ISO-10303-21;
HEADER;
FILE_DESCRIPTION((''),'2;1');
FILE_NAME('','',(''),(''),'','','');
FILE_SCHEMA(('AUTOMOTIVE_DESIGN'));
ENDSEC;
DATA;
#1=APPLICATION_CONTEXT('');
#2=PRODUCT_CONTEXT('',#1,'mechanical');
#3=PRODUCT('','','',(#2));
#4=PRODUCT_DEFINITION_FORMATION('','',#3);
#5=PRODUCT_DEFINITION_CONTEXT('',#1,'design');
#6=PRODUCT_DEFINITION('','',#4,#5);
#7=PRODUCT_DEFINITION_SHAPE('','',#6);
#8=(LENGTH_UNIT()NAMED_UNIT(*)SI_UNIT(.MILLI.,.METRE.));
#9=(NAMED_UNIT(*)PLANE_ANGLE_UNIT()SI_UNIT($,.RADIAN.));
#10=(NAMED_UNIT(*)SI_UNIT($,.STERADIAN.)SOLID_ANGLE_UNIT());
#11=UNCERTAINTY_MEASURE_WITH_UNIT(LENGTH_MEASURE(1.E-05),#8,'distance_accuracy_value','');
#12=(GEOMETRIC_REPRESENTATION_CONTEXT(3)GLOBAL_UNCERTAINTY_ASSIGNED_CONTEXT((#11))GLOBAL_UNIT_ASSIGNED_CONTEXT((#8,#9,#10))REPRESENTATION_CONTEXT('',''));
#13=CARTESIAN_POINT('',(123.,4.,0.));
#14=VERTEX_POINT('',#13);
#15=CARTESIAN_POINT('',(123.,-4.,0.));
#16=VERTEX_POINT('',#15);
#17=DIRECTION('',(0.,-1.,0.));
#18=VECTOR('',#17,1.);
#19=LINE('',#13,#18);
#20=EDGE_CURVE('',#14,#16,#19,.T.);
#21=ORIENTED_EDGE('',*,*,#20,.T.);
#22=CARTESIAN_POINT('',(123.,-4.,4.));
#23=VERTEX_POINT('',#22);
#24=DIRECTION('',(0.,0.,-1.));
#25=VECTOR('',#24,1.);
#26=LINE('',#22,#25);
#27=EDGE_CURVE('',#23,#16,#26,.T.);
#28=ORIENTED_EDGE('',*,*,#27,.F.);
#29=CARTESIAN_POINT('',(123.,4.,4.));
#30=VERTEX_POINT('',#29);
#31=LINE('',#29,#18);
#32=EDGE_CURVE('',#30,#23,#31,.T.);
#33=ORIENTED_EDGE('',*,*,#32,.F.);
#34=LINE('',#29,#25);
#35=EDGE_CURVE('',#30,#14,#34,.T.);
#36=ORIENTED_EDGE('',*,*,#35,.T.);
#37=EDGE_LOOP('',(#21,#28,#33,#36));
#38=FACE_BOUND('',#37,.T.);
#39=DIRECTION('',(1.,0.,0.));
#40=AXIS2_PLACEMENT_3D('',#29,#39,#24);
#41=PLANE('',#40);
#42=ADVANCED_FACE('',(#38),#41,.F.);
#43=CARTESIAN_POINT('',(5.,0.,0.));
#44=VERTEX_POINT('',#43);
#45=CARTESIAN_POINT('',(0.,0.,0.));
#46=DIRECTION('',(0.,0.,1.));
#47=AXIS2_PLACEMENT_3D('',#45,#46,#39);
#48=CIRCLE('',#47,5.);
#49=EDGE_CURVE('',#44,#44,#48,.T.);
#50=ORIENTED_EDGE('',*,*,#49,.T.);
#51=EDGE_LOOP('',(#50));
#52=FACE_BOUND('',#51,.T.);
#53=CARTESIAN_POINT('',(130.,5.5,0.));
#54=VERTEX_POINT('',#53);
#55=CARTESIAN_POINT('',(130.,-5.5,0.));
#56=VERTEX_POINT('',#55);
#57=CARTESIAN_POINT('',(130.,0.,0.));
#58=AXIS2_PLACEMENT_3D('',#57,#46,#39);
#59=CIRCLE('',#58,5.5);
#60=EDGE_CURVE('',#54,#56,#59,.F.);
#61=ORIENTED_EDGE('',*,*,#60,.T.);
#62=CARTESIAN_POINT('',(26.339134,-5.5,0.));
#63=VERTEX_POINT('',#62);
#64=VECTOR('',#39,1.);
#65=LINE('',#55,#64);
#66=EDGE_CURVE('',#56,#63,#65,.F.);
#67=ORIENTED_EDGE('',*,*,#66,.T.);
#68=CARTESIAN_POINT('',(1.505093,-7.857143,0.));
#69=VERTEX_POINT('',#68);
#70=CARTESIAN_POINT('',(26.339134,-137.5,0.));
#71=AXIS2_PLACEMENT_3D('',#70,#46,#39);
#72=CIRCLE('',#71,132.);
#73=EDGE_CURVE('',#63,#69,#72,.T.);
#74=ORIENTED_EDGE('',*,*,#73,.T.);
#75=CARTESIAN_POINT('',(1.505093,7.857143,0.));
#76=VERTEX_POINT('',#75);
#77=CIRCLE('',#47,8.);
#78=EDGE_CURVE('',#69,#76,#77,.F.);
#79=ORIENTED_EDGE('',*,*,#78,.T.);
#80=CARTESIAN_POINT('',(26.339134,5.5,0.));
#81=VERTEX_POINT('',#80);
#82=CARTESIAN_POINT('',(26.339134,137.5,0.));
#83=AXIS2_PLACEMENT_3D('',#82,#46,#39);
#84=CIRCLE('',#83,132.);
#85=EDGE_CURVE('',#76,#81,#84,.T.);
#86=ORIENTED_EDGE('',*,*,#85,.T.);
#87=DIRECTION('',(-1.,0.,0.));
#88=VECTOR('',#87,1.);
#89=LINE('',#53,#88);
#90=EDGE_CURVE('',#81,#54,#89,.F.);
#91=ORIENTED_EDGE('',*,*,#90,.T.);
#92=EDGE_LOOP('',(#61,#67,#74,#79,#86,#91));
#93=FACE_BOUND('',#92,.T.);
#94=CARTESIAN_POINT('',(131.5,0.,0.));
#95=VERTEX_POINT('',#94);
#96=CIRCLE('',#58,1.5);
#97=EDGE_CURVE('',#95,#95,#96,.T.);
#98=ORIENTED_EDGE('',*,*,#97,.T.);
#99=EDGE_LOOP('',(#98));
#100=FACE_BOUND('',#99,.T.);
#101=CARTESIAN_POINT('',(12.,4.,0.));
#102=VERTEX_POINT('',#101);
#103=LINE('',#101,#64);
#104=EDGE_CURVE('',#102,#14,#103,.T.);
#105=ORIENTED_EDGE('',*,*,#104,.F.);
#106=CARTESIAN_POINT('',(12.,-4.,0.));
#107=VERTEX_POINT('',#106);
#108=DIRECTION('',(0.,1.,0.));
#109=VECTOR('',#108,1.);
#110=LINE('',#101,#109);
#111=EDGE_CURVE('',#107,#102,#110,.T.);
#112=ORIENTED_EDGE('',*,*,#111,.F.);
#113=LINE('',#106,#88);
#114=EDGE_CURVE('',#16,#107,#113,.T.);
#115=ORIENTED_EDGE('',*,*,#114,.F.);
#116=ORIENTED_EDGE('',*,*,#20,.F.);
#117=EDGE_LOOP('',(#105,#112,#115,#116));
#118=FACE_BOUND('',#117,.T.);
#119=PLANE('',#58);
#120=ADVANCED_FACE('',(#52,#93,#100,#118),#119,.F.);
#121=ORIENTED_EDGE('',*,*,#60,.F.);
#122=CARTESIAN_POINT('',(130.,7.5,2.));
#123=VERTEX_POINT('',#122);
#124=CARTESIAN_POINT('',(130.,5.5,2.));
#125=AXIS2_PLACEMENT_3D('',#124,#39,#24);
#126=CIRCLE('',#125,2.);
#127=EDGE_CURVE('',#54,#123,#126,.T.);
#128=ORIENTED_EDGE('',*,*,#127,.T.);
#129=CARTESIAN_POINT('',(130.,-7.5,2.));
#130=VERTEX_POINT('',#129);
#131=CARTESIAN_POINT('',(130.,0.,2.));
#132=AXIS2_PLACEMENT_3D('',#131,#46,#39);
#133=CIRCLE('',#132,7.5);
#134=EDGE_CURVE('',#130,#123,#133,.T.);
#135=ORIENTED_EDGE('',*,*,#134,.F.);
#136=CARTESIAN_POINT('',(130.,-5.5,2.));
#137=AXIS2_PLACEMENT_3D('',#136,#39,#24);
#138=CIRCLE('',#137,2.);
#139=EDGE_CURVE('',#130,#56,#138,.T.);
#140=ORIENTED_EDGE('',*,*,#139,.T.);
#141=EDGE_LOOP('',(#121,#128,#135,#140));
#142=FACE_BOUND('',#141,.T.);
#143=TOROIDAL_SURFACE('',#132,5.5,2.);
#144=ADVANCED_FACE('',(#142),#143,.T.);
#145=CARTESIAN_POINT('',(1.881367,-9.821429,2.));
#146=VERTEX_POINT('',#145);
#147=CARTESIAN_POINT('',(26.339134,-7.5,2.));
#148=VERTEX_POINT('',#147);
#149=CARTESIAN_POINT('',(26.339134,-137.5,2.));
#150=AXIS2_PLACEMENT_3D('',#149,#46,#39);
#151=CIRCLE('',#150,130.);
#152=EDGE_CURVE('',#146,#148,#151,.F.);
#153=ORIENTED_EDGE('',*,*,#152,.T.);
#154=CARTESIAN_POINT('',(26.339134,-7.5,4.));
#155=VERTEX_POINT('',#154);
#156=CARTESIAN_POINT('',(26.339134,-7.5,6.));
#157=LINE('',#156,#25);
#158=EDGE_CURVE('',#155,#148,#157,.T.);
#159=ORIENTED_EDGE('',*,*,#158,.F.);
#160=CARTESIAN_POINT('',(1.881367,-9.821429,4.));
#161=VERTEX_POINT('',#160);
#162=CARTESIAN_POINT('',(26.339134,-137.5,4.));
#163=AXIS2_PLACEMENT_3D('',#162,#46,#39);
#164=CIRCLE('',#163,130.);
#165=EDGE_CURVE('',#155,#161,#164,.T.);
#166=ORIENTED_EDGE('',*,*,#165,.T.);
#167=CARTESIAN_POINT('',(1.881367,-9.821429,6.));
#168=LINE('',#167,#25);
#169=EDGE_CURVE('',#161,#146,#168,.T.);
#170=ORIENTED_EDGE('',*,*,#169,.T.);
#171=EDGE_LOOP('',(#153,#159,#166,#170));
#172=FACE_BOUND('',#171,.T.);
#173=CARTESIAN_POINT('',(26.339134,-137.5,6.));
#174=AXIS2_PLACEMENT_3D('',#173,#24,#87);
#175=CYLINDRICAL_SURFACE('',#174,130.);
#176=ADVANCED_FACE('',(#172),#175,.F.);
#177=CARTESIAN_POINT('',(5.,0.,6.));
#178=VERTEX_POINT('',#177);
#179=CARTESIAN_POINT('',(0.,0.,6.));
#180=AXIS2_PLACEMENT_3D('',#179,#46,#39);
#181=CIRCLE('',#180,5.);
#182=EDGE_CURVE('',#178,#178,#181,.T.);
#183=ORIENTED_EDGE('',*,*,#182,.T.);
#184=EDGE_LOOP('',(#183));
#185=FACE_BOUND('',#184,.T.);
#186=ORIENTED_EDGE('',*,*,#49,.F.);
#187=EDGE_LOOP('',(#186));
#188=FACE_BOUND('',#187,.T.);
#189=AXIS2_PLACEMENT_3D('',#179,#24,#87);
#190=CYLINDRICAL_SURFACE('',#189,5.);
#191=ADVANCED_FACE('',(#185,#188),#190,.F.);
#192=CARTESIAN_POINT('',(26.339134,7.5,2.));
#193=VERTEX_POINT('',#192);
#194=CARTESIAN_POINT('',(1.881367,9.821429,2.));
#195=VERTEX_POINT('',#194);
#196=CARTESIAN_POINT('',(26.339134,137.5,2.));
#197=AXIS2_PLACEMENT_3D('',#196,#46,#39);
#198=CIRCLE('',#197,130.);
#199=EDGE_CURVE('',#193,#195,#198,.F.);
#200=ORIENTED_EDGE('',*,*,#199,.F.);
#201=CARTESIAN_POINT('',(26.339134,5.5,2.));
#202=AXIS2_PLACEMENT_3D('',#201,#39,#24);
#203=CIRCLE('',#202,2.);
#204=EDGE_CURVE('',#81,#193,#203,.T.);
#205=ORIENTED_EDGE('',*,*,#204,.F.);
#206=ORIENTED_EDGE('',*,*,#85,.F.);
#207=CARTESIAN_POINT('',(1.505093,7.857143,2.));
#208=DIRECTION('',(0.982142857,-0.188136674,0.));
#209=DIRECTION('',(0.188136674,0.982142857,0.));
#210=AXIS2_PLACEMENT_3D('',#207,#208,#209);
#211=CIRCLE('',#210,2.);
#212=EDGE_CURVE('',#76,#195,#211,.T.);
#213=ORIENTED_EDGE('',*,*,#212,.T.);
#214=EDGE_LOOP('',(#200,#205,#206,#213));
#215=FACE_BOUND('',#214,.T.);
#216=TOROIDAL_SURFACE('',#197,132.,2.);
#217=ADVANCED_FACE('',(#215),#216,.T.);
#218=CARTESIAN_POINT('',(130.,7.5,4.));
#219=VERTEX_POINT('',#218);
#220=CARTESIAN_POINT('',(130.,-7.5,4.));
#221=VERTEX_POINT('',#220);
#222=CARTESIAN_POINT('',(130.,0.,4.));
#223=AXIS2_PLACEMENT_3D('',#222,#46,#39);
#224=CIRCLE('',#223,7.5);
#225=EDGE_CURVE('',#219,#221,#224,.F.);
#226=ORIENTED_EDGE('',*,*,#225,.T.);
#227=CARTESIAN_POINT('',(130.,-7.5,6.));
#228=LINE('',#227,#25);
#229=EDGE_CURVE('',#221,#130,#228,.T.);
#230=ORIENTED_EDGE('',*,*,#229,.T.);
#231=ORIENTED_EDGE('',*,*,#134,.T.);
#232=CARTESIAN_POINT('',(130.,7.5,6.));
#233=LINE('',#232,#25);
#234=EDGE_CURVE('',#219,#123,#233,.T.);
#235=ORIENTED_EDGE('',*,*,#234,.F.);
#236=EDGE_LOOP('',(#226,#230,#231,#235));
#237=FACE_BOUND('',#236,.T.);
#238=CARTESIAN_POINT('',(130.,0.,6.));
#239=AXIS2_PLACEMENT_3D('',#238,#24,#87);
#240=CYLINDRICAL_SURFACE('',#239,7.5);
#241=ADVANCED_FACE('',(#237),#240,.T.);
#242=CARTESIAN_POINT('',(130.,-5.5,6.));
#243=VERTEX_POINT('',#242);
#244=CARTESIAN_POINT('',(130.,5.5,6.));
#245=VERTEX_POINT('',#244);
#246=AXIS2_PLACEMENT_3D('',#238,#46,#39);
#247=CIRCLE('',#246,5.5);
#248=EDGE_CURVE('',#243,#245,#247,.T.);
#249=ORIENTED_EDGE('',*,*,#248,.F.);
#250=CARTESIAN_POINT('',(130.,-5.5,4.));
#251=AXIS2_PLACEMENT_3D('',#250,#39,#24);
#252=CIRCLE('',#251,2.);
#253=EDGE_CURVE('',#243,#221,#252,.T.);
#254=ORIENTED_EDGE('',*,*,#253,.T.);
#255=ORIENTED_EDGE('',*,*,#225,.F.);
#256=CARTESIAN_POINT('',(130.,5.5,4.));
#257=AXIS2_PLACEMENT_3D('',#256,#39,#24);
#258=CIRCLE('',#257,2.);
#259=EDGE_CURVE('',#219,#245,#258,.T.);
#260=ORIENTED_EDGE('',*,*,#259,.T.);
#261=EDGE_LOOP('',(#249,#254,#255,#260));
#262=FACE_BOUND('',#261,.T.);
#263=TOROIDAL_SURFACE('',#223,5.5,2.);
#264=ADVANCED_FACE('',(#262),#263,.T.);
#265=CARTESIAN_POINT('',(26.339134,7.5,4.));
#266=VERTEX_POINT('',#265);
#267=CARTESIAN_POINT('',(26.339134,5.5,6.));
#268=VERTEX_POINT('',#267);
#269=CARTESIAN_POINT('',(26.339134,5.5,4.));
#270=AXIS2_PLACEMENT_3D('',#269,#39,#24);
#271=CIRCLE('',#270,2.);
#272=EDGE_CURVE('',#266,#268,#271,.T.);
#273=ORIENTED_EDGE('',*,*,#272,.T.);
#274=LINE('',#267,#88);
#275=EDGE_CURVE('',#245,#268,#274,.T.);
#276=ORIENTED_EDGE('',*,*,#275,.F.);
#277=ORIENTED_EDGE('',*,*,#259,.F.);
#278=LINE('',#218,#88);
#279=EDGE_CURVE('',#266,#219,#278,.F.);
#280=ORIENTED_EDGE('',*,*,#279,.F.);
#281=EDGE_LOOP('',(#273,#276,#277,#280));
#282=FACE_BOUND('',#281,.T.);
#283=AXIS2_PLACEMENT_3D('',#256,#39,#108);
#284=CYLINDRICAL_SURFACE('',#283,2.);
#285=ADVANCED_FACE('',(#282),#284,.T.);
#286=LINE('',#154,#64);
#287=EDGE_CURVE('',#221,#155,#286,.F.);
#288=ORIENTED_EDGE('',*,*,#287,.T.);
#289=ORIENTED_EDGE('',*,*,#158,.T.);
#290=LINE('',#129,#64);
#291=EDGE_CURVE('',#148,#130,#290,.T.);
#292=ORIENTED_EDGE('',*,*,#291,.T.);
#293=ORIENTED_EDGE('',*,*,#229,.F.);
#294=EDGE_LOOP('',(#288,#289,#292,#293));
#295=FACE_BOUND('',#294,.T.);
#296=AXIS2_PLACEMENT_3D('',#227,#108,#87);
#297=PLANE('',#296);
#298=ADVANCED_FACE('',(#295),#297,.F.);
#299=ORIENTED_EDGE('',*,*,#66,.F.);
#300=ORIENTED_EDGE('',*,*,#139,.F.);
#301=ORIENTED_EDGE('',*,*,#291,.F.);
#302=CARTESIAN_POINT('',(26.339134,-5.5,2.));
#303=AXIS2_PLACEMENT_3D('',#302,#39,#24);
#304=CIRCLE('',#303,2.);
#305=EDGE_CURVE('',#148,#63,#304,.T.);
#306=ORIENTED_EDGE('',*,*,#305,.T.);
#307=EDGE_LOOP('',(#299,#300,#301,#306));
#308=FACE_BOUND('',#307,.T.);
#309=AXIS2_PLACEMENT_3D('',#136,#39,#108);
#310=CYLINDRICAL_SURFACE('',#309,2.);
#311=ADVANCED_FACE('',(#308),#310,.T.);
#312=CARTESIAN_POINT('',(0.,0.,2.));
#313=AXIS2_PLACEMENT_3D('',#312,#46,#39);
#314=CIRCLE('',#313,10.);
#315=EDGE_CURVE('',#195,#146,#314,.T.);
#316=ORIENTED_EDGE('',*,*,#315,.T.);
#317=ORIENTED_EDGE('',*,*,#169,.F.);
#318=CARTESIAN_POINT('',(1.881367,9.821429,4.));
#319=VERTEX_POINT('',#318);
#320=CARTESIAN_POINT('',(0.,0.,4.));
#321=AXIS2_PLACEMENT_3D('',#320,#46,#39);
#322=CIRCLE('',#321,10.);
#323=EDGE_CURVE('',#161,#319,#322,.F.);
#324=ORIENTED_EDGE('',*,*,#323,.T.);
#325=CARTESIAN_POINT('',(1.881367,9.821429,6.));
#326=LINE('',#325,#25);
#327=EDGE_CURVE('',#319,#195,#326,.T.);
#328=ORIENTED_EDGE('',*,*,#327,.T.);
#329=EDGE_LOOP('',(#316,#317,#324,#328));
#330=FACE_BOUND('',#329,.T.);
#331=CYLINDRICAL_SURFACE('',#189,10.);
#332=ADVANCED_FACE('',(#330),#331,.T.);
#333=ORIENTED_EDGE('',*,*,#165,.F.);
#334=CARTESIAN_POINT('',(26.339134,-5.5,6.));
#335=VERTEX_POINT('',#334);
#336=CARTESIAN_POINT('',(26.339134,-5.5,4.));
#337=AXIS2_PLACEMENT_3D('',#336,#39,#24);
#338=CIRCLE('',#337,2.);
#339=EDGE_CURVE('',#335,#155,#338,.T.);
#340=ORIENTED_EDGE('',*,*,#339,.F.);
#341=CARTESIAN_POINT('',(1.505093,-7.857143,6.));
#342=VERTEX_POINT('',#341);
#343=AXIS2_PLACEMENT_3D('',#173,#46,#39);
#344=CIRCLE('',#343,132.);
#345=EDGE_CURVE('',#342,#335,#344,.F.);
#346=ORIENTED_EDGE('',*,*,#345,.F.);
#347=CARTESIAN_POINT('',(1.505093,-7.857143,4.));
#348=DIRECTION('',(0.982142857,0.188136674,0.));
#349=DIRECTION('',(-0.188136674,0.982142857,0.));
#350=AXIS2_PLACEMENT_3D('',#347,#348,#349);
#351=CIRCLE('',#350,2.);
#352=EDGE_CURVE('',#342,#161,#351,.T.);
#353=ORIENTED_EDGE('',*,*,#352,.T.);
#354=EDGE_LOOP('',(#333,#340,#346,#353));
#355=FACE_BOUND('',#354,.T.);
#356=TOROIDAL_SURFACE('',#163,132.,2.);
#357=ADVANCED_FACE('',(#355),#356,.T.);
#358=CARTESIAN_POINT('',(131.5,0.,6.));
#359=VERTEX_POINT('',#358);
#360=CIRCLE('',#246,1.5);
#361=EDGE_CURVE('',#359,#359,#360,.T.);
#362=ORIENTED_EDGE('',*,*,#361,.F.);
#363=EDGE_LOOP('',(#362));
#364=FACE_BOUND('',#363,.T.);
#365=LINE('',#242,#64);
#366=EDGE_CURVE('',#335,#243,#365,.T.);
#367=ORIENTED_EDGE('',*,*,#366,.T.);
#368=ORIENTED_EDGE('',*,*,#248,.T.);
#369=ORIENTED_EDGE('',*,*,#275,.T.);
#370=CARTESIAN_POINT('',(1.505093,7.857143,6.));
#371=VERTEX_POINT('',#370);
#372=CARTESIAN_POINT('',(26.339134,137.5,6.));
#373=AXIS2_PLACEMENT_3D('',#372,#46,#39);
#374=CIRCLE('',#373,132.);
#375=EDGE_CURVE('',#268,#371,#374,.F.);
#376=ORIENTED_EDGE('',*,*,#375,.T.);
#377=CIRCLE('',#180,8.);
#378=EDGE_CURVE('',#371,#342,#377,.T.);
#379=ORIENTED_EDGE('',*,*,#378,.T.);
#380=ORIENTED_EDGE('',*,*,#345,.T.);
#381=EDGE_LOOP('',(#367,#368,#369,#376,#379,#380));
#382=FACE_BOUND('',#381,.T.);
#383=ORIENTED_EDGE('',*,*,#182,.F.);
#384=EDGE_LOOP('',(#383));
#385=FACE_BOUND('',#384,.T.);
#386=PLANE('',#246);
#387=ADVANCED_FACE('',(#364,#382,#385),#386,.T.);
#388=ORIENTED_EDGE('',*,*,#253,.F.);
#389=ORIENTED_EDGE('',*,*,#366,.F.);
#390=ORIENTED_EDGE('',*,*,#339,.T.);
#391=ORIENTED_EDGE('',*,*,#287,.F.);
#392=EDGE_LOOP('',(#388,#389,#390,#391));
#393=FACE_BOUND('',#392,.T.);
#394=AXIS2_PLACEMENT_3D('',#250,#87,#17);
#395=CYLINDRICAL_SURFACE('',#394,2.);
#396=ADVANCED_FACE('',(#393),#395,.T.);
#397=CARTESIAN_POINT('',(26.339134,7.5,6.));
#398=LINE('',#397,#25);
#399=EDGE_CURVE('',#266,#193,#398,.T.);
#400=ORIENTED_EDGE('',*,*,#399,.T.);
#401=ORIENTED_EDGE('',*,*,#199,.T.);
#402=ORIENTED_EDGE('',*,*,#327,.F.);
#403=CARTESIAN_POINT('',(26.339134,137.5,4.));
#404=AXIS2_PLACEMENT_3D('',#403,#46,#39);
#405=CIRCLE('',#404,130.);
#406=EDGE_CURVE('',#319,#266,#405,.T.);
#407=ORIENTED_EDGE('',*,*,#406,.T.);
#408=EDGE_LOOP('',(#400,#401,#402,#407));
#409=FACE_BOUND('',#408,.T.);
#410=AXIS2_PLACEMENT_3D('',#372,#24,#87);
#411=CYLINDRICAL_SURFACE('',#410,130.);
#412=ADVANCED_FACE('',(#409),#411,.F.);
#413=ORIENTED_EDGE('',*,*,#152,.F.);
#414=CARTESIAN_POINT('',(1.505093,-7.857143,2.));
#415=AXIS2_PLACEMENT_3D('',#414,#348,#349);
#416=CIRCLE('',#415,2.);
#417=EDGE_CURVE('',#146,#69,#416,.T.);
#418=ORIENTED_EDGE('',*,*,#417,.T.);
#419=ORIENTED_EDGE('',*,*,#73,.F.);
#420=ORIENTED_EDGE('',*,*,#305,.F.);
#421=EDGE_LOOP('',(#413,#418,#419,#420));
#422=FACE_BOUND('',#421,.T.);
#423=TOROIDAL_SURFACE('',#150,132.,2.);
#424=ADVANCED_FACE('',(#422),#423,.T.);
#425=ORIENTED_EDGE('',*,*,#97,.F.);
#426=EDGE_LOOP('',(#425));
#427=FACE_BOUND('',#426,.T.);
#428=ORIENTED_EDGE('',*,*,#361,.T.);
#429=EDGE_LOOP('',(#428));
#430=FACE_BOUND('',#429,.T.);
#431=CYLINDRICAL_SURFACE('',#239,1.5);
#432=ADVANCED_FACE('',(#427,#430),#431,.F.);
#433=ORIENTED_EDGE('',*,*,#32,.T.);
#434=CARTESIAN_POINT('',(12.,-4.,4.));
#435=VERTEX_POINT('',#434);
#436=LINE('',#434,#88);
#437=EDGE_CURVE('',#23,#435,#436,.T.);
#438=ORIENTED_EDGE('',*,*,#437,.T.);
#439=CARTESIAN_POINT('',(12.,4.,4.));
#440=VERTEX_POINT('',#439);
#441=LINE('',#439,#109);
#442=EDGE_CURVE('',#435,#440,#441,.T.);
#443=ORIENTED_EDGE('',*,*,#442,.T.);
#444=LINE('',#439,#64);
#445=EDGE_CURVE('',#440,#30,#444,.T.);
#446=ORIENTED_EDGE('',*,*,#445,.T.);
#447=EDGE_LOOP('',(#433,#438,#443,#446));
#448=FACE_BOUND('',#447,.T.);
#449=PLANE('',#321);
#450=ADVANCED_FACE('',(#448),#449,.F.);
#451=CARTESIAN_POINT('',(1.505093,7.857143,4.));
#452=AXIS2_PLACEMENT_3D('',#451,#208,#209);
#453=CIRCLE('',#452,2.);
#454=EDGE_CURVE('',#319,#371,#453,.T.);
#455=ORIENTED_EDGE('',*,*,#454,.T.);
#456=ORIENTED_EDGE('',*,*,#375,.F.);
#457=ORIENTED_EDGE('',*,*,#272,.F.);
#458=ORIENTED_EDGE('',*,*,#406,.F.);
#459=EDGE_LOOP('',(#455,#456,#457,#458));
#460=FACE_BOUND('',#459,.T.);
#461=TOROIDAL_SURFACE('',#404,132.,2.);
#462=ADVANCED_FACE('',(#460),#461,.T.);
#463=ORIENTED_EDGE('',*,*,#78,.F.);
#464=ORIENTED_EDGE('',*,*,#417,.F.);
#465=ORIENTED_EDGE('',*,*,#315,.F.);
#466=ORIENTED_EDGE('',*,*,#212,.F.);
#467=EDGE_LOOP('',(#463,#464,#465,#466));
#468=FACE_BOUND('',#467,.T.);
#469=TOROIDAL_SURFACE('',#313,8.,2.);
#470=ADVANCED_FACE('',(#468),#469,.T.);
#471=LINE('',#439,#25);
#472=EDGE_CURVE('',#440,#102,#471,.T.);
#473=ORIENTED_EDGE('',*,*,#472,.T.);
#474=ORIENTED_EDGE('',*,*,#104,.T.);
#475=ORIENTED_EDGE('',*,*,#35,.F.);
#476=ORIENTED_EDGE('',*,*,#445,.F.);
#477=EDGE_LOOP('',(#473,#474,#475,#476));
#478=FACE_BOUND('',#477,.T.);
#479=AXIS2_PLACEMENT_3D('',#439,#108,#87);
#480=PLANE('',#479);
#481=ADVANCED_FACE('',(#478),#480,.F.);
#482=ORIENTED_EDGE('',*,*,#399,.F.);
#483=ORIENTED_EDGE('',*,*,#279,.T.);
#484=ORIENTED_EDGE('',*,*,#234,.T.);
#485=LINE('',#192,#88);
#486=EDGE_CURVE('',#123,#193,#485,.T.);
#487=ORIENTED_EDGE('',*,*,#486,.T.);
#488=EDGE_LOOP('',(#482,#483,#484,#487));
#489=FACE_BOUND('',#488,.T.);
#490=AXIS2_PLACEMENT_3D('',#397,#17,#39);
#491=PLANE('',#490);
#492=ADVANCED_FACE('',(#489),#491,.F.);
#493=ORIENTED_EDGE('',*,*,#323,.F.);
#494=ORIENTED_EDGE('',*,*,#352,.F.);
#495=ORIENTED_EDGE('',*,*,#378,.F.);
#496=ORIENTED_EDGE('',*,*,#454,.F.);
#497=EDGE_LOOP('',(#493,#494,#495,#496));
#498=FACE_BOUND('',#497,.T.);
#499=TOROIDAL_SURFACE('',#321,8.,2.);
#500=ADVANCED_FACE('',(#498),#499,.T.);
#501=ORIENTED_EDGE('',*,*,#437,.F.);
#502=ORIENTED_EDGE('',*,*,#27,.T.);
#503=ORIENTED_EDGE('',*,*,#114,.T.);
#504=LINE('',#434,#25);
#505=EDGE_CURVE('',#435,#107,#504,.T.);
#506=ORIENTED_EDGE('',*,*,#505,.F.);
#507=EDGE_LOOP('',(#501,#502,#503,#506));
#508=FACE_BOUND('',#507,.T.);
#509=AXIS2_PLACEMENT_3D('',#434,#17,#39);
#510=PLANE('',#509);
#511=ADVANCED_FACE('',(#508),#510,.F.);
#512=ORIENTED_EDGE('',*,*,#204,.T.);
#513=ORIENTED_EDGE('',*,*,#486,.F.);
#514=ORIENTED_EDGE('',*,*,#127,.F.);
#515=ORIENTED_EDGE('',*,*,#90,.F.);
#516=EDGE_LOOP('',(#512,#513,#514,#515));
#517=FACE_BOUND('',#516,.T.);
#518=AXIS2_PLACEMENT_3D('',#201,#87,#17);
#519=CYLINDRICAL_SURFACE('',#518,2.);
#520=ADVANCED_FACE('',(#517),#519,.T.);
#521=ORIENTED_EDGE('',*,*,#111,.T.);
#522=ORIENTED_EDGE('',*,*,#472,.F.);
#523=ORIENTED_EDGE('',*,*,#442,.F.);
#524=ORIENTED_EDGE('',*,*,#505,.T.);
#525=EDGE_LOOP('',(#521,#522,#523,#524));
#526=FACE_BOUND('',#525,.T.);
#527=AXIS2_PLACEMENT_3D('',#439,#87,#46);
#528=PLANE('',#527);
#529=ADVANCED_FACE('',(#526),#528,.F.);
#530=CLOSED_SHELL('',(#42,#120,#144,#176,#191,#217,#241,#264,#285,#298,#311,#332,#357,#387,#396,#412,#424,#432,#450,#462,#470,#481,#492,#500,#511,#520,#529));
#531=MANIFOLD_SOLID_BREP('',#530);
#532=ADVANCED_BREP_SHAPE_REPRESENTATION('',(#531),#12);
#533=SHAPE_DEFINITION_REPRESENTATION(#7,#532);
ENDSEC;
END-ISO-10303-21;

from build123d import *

# Parameters (mm, degrees)
SKETCH1_R           = 5
SKETCH1_R_2         = 1.5
BOSS_EXTRUDE1_DEPTH = 6
FILLET1_R           = 2
SKETCH2_W           = 111
SKETCH2_H           = 8
CUT_EXTRUDE1_DEPTH  = 4


with BuildPart() as part:
    # Sketch1 → Boss-Extrude1 (new body)
    with BuildSketch(Plane.XY):
        with BuildLine():
            Line((26.339134382, 7.5), (130, 7.5))
            ThreePointArc((130, 7.5), (137.5, 0), (130, -7.5))
            Line((130, -7.5), (26.339134382, -7.5))
            ThreePointArc((26.339134382, -7.5), (14.055289009, -8.081658399), (1.881366742, -9.821428571))
            ThreePointArc((1.881366742, -9.821428571), (-10, 0), (1.881366742, 9.821428571))
            ThreePointArc((1.881366742, 9.821428571), (14.055289009, 8.081658399), (26.339134382, 7.5))
        make_face()
        Circle(SKETCH1_R, mode=Mode.SUBTRACT)
        with Locations((130, 0)):
            Circle(SKETCH1_R_2, mode=Mode.SUBTRACT)
    extrude(amount=BOSS_EXTRUDE1_DEPTH)

    # Fillet1
    fillet1_edges = [part.edges().sort_by_distance(p)[0] for p in [
        (14.055289009, 8.081658399, 6),
        (-10, 0, 6),
        (14.055289009, -8.081658399, 6),
        (78.169567191, -7.5, 6),
        (137.5, 0, 6),
        (78.169567191, -7.5, 0),
        (14.055289009, -8.081658399, 0),
        (-10, 0, 0),
        (78.169567191, 7.5, 6),
        (14.055289009, 8.081658399, 0),
        (78.169567191, 7.5, 0),
        (137.5, 0, 0),
    ]]
    fillet(fillet1_edges, radius=FILLET1_R)

    # Sketch2 → Cut-Extrude1 (cut)
    with BuildSketch(Plane(origin=(0, 0, 0), x_dir=(-1, 0, 0), z_dir=(0, 0, -1))):
        with Locations((-67.5, 0)):
            Rectangle(SKETCH2_W, SKETCH2_H)
    extrude(amount=-CUT_EXTRUDE1_DEPTH, mode=Mode.SUBTRACT)


solid = part.part
